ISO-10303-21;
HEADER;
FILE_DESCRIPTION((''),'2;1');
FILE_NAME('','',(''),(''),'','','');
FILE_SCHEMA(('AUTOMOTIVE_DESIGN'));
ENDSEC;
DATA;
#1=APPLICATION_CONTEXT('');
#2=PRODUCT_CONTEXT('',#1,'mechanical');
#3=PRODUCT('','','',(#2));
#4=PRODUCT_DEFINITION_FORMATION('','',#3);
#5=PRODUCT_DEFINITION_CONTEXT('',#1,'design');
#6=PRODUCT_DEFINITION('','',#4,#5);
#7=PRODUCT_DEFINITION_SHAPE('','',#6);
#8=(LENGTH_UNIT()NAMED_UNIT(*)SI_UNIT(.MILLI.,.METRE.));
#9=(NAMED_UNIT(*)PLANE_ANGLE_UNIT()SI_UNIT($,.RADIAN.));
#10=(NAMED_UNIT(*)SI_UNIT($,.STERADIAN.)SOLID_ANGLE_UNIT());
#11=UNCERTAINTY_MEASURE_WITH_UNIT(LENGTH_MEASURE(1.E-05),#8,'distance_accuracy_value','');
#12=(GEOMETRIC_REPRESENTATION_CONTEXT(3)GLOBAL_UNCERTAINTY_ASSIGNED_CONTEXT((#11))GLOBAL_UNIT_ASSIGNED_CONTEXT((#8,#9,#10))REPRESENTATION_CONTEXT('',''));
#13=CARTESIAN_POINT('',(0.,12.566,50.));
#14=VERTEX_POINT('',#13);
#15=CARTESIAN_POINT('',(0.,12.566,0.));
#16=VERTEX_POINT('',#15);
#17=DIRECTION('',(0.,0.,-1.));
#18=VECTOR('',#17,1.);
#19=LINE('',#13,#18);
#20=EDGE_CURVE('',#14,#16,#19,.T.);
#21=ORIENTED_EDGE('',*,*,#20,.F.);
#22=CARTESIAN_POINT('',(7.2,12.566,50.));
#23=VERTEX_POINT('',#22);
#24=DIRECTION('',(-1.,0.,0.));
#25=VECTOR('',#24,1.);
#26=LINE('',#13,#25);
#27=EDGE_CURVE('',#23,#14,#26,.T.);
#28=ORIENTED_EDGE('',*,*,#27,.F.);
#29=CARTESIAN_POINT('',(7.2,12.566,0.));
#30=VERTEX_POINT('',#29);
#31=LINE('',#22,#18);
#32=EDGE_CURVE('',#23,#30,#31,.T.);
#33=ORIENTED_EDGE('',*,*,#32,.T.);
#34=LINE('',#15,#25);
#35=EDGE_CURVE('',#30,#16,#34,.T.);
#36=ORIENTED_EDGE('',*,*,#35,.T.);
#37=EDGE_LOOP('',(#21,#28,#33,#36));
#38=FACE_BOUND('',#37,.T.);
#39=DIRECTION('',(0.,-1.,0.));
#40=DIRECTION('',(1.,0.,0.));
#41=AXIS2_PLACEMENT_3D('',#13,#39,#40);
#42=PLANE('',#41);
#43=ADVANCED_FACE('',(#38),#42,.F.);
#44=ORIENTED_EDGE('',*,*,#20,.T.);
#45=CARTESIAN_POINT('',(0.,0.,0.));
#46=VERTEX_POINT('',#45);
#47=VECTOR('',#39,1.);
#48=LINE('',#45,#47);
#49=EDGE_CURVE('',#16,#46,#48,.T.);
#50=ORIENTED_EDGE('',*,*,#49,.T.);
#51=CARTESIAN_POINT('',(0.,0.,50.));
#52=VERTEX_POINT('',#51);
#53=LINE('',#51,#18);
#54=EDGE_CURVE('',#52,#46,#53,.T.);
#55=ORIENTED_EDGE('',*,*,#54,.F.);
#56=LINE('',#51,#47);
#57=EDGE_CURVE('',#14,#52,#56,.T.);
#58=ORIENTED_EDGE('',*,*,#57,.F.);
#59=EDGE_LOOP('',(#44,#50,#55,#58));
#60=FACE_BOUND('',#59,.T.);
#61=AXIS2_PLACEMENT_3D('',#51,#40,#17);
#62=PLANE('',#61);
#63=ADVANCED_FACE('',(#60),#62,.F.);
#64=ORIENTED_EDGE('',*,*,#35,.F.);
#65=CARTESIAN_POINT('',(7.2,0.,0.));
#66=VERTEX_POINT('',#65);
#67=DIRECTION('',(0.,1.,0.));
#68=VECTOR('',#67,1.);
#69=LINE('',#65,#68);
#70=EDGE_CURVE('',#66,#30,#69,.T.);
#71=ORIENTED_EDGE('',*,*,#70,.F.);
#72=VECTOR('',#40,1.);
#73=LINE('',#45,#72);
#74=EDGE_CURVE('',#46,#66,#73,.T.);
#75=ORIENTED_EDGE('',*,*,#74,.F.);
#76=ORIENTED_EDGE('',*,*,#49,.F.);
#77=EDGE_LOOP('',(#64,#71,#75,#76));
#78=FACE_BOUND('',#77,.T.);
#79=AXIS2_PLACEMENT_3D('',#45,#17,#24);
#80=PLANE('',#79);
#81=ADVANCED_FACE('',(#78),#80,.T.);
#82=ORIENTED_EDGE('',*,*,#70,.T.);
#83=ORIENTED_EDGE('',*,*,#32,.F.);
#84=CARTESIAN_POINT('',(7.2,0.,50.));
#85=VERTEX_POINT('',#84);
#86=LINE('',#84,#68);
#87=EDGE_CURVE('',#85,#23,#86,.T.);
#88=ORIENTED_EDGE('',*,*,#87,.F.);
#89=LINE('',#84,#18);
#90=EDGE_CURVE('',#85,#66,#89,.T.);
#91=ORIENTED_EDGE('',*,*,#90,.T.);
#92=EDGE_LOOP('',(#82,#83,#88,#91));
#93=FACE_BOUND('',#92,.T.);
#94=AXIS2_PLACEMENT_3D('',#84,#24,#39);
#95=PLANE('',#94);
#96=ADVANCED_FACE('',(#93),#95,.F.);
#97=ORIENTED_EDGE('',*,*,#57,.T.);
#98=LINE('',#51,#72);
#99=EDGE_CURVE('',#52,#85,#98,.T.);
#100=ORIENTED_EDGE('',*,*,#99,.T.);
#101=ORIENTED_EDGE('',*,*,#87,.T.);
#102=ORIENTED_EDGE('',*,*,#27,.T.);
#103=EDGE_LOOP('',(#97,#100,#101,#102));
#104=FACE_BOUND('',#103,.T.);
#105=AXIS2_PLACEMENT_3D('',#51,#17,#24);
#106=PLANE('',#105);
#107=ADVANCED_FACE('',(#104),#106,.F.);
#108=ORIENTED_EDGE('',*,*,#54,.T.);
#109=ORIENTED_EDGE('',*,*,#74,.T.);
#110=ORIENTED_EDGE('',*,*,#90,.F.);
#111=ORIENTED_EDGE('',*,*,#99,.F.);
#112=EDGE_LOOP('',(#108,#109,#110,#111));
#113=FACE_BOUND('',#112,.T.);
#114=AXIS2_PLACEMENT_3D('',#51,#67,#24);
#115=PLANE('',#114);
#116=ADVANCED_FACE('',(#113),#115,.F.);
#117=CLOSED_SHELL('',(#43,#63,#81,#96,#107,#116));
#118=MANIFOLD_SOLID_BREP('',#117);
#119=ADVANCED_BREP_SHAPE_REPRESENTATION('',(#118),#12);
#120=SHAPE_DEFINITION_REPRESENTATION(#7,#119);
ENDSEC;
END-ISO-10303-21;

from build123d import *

# Parameters (mm, degrees)
SCHIZZO1_W                   = 7.2
SCHIZZO1_H                   = 12.566
ESTRUSIONE_ESTRUSIONE1_DEPTH = 50


with BuildPart() as part:
    # Schizzo1 → Estrusione-Estrusione1 (new body)
    with BuildSketch(Plane.XY):
        with Locations((3.6, 6.283)):
            Rectangle(SCHIZZO1_W, SCHIZZO1_H)
    extrude(amount=ESTRUSIONE_ESTRUSIONE1_DEPTH)


solid = part.part
